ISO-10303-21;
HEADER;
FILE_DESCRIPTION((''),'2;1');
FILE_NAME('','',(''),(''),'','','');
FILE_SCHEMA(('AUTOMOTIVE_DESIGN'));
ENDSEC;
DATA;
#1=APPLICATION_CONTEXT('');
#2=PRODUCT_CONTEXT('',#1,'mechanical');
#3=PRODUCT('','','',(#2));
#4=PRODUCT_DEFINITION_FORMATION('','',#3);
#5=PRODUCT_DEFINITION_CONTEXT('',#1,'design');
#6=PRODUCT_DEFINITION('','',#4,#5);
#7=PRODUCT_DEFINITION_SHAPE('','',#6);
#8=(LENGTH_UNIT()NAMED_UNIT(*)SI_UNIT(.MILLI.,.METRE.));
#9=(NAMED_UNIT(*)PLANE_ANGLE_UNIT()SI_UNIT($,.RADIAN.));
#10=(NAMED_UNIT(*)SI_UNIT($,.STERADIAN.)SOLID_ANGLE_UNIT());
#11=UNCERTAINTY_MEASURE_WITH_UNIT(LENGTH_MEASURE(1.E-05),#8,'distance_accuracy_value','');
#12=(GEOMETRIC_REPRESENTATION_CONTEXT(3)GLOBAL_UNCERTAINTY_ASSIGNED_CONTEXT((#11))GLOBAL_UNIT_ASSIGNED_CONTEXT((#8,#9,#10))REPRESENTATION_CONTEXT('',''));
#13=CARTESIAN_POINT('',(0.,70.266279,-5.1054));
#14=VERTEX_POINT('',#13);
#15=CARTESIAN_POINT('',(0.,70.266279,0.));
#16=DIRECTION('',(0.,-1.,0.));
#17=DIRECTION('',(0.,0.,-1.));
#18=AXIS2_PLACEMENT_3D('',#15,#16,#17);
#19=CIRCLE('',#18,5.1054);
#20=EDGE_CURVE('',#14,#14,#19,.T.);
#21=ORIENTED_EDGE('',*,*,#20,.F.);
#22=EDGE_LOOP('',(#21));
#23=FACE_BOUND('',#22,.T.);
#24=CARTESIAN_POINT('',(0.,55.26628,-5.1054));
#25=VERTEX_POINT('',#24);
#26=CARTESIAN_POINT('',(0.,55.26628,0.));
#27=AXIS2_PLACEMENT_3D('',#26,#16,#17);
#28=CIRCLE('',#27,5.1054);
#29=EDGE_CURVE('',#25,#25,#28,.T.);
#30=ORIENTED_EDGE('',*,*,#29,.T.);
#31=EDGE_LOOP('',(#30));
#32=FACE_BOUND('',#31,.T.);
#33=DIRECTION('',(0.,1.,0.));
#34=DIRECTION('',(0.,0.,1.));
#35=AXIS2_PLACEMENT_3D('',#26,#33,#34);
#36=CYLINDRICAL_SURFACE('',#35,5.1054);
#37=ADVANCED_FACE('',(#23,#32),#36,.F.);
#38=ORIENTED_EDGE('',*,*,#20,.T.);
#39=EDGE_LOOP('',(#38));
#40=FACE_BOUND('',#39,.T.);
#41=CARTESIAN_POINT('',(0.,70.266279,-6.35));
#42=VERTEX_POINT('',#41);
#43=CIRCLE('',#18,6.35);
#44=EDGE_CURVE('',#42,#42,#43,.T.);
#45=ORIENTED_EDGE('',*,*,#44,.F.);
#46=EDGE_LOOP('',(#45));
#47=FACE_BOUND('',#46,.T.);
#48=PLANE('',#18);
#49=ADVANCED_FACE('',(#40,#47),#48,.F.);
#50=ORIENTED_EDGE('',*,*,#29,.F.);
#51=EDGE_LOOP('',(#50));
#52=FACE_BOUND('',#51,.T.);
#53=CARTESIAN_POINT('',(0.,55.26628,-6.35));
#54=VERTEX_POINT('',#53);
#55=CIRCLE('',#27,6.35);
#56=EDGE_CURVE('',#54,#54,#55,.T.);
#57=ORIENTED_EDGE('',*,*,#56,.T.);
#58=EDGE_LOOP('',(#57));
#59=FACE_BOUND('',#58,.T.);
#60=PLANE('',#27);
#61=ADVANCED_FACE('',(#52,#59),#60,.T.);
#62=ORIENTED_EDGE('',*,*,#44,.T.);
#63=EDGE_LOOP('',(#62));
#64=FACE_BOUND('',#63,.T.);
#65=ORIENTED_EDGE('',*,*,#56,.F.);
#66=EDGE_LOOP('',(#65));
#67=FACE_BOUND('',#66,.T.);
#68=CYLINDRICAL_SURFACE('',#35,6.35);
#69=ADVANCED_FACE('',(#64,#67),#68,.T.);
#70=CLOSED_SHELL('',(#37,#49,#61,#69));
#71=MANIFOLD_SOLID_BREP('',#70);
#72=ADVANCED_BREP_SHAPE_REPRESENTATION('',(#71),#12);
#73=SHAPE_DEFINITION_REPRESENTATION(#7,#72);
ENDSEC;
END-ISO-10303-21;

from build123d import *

# Parameters (mm, degrees)
SKETCH1_R           = 6.35
SKETCH1_R_2         = 5.1054
BOSS_EXTRUDE1_DEPTH = 15


with BuildPart() as part:
    # Sketch1 → Boss-Extrude1 (new body)
    with BuildSketch(Plane.XZ.offset(-70.2662795)):
        Circle(SKETCH1_R)
        Circle(SKETCH1_R_2, mode=Mode.SUBTRACT)
    extrude(amount=BOSS_EXTRUDE1_DEPTH)


solid = part.part
